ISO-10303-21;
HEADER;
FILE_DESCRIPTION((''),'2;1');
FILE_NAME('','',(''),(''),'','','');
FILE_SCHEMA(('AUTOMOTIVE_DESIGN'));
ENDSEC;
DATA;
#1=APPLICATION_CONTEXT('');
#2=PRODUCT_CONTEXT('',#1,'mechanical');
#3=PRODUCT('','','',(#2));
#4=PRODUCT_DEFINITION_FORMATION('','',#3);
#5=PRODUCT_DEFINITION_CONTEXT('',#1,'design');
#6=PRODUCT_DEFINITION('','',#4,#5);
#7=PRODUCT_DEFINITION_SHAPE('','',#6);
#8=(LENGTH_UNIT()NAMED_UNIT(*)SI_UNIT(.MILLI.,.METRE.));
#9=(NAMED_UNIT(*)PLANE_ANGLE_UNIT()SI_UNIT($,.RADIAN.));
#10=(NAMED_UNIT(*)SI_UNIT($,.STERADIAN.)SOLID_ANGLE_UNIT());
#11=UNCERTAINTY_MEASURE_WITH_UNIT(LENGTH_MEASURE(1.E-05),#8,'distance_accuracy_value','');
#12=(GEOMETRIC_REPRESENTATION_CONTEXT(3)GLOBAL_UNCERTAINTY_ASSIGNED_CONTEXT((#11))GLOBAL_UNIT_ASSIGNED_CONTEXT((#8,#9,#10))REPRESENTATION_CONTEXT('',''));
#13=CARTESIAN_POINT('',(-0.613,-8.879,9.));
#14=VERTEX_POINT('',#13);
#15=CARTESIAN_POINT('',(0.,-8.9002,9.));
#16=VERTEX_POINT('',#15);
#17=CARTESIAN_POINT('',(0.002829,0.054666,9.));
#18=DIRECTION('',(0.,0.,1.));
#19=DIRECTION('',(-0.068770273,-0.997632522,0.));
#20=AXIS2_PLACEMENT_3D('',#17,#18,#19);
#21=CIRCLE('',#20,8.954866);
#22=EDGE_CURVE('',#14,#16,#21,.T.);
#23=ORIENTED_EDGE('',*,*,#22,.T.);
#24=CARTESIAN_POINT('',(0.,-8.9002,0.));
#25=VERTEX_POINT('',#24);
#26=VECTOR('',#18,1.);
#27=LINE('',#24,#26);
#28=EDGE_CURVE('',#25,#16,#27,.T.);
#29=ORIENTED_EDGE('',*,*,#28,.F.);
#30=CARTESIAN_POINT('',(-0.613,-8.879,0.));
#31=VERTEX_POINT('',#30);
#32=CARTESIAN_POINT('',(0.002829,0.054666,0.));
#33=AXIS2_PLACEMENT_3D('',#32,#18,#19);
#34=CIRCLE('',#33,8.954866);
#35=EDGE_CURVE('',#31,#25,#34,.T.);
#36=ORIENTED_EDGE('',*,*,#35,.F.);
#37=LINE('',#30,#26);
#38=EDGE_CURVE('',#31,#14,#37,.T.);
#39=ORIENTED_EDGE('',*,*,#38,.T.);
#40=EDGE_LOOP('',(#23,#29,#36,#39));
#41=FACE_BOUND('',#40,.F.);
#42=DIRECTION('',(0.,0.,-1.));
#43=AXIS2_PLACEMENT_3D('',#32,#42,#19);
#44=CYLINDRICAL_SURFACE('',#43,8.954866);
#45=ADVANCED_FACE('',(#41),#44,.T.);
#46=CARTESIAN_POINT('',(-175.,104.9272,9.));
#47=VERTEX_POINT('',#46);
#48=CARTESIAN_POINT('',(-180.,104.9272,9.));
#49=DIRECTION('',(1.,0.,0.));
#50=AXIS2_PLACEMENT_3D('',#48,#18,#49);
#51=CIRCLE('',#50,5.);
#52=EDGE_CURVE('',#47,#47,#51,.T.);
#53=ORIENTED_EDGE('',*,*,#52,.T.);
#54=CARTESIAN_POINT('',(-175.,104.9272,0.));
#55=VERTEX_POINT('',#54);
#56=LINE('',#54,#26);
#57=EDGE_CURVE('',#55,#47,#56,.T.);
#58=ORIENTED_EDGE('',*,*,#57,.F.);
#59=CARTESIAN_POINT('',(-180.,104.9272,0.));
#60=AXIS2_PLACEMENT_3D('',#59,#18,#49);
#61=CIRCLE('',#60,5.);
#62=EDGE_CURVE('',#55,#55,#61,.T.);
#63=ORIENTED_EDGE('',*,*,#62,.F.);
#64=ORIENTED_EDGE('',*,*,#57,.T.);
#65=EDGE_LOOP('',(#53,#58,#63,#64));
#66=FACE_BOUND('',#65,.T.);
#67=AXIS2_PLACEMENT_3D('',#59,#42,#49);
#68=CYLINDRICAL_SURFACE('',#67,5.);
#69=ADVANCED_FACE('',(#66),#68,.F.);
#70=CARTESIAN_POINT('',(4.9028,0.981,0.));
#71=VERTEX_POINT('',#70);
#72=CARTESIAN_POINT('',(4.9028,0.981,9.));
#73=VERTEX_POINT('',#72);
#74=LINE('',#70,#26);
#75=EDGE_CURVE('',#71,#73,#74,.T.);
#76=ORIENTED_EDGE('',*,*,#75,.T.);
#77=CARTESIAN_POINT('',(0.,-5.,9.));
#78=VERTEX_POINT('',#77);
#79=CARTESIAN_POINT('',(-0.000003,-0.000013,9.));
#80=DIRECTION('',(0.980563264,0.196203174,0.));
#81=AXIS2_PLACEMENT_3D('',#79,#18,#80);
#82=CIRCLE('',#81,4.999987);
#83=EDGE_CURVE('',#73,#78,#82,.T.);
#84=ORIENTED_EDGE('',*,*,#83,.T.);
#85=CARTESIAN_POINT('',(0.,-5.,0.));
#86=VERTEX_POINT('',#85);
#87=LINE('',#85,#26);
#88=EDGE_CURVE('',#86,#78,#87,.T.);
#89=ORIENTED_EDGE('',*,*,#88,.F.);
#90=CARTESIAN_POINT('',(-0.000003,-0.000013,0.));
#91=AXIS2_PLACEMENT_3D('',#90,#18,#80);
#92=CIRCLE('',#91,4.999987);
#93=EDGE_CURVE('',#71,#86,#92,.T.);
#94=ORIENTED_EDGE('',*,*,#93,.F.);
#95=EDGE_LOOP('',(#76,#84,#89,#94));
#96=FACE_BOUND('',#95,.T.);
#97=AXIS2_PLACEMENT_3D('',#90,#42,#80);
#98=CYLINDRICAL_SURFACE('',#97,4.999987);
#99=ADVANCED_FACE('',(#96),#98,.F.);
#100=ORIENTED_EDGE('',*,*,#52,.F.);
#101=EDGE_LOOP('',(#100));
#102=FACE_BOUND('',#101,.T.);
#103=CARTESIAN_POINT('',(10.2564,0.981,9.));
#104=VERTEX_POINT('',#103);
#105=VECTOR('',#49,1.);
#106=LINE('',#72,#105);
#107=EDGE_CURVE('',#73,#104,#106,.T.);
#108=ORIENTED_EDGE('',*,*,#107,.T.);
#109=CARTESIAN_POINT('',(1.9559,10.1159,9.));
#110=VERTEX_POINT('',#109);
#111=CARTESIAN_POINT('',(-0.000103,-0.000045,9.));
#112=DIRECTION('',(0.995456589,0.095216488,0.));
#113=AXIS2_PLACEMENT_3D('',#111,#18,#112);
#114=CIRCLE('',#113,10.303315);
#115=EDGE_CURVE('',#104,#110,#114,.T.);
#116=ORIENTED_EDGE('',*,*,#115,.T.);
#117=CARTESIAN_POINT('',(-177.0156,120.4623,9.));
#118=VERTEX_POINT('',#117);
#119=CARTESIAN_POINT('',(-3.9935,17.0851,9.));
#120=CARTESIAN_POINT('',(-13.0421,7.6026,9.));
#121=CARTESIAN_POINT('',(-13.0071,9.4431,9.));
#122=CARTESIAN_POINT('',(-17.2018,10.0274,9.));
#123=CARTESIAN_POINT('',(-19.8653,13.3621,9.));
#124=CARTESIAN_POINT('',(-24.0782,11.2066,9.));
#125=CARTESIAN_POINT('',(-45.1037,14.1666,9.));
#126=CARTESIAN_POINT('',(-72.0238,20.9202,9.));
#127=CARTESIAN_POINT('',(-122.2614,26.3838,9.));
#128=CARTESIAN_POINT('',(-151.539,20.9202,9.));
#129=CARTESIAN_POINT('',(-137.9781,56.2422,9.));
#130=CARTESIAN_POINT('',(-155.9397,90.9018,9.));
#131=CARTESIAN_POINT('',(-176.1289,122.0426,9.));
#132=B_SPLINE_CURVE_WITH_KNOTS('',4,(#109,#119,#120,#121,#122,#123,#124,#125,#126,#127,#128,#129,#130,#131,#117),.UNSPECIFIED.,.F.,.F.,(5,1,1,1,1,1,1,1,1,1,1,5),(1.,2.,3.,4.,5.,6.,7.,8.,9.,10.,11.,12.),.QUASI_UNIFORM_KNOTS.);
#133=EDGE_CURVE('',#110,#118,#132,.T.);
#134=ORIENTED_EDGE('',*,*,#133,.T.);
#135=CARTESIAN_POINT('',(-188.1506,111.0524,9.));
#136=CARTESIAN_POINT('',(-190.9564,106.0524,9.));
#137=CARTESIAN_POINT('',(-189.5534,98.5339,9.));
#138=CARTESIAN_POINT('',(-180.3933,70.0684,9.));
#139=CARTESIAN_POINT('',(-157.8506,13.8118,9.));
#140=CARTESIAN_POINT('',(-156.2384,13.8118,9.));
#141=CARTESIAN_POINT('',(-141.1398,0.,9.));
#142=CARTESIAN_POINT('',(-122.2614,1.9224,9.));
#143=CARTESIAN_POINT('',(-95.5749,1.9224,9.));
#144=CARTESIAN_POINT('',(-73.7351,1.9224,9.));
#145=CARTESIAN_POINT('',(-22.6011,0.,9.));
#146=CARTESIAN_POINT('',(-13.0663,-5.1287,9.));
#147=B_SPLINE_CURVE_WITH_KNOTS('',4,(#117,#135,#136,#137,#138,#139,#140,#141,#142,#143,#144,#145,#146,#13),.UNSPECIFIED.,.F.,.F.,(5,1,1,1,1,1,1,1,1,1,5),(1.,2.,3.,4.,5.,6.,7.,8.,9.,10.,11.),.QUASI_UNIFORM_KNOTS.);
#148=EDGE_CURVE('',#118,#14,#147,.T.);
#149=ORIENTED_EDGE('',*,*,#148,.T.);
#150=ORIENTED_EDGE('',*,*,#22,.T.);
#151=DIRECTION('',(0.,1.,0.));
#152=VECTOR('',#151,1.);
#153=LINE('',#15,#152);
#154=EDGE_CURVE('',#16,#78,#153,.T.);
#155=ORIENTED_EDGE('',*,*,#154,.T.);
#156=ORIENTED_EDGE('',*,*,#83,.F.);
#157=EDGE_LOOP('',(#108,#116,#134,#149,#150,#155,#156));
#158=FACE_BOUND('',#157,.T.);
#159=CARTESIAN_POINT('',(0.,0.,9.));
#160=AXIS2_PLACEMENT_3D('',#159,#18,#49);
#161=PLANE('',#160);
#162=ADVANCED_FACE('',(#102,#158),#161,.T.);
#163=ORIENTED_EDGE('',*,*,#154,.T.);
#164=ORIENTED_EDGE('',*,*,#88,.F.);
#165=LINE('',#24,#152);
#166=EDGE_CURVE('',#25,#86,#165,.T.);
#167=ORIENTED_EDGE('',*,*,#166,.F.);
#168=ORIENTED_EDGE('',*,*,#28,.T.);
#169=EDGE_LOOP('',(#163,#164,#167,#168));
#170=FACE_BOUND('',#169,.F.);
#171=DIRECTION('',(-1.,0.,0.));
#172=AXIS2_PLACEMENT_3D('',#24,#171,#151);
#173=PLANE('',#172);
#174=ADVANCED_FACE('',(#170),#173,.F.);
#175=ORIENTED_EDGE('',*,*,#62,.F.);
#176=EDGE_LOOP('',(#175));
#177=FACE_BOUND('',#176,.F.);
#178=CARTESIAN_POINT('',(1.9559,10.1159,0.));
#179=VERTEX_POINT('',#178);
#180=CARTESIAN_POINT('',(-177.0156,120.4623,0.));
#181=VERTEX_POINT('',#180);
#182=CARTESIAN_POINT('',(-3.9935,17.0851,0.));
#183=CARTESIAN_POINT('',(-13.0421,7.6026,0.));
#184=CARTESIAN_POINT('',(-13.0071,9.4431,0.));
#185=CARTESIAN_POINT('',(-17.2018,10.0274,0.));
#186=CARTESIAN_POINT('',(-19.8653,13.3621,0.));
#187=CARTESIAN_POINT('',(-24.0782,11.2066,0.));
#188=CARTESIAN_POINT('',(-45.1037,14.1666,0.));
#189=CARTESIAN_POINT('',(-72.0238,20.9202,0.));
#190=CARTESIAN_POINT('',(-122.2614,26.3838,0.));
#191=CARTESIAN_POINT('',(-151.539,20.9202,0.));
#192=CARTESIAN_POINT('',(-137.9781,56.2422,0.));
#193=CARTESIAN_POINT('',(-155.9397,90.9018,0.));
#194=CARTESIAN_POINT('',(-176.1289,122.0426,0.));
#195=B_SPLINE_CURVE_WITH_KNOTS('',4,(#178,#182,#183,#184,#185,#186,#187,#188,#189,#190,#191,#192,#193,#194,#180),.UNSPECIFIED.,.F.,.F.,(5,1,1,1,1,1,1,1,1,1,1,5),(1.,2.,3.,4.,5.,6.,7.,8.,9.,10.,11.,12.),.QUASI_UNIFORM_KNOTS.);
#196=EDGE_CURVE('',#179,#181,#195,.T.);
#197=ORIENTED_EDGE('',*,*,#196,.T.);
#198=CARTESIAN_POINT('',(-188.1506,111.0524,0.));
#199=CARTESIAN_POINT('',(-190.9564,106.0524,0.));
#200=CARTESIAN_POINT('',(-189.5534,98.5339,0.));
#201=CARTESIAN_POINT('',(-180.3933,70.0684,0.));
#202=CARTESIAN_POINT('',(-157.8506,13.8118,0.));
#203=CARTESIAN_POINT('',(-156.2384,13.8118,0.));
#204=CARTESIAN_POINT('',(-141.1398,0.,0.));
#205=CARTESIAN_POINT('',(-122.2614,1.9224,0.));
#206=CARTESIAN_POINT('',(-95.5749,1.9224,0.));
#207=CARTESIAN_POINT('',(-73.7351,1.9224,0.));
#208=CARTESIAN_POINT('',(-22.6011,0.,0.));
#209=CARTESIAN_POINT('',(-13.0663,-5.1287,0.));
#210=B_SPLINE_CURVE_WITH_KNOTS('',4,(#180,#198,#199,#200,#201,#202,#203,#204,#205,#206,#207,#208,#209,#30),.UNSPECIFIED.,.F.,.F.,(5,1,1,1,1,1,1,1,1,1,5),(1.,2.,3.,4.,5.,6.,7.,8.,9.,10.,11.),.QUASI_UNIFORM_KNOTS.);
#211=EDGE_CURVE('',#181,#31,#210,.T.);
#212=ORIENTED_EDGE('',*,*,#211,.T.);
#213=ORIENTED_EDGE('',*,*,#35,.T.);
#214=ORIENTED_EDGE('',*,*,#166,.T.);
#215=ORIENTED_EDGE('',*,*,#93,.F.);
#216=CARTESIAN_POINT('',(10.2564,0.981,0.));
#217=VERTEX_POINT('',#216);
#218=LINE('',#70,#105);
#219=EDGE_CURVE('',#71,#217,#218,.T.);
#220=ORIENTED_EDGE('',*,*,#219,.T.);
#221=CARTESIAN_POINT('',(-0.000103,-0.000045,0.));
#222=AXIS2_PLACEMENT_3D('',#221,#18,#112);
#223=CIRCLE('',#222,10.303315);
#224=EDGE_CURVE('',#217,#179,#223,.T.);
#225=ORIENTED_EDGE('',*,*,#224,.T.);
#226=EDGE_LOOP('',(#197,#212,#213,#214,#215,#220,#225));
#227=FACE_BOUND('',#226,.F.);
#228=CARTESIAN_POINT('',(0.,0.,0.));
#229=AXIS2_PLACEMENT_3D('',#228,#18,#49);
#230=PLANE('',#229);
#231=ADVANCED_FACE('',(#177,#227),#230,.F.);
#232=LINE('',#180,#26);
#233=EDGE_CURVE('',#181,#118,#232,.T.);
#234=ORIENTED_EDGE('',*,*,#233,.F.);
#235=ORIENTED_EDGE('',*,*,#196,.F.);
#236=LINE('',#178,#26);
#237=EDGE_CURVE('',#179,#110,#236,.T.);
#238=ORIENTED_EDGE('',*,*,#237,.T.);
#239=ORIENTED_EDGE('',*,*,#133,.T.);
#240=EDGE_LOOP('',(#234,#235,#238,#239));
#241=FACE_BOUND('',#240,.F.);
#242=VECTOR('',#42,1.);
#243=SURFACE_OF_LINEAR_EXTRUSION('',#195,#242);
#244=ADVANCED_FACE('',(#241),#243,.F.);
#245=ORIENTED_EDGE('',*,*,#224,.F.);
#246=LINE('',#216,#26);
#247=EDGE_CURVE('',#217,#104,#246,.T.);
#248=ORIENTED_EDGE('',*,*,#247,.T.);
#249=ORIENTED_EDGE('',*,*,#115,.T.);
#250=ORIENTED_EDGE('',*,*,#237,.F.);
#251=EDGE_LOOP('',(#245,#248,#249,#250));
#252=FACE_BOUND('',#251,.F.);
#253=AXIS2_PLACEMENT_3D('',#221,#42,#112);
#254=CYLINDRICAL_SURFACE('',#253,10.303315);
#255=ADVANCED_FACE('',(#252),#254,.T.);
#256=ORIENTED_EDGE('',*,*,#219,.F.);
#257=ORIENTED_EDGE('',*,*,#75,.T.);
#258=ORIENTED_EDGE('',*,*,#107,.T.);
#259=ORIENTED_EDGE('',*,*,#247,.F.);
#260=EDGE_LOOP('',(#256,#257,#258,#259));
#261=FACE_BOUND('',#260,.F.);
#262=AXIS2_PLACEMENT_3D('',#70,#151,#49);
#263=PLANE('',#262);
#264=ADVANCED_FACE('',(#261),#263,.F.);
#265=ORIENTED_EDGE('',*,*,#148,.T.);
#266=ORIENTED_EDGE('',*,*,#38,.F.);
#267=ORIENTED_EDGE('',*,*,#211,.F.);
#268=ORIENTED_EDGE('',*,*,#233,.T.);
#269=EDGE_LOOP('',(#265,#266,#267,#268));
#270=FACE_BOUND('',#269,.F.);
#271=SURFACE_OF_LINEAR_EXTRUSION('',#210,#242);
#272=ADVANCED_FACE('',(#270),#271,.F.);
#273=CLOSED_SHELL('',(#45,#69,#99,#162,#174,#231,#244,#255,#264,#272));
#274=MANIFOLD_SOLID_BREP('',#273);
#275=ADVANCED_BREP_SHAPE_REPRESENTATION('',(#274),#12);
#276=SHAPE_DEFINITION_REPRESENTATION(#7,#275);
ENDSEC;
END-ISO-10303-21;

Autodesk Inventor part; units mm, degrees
ref_plane "YZ Plane" through (0, 0, 0) normal (1, 0, 0) x (0, 1, 0)
ref_plane "XZ Plane" through (0, 0, 0) normal (0, 1, 0) x (-1, 0, 0)
ref_plane "XY Plane" through (0, 0, 0) normal (0, 0, 1) x (1, 0, 0)
sketch "Sketch1" plane through (0, 0, 0) normal (0, 0, 1) x (1, 0, 0)
  arc A0 (4.9028, 0.981) -> (0, -5) centre (0, 0) ccw
  line L0 (0, 0) -> (-180, 0) construction
  line L1 (-180, 0) -> (-180, 120) construction
  line L2 (0, 0) -> (-180, 104.9272) construction
  circle A1 centre (-180, 104.9272) radius 5
  line L3 (1.9559, 10.1159) -> (-3.9935, 17.0851) construction
  line L4 (-3.9935, 17.0851) -> (-13.0421, 7.6026) construction
  line L5 (-13.0421, 7.6026) -> (-13.0071, 9.4431) construction
  line L6 (-13.0071, 9.4431) -> (-17.2018, 10.0274) construction
  line L7 (-17.2018, 10.0274) -> (-19.8653, 13.3621) construction
  line L8 (-19.8653, 13.3621) -> (-24.0782, 11.2066) construction
  line L9 (-24.0782, 11.2066) -> (-45.1037, 14.1666) construction
  line L10 (-45.1037, 14.1666) -> (-72.0238, 20.9202) construction
  line L11 (-72.0238, 20.9202) -> (-122.2614, 26.3838) construction
  line L12 (-122.2614, 26.3838) -> (-151.539, 20.9202) construction
  line L13 (-151.539, 20.9202) -> (-137.9781, 56.2422) construction
  line L14 (-137.9781, 56.2422) -> (-155.9397, 90.9018) construction
  line L15 (-155.9397, 90.9018) -> (-176.1289, 122.0426) construction
  line L16 (-176.1289, 122.0426) -> (-177.0156, 120.4623) construction
  spline S0 degree 4 poles (1.9559, 10.1159) (-3.9935, 17.0851) (-13.0421, 7.6026) (-13.0071, 9.4431) (-17.2018, 10.0274) (-19.8653, 13.3621) (-24.0782, 11.2066) (-45.1037, 14.1666) (-72.0238, 20.9202) (-122.2614, 26.3838) (-151.539, 20.9202) (-137.9781, 56.2422) (-155.9397, 90.9018) (-176.1289, 122.0426) (-177.0156, 120.4623) knots 1 1 1 1 1 2 3 4 5 6 7 8 9 10 11 12 12 12 12 12
  line L17 (-177.0156, 120.4623) -> (-188.1506, 111.0524) construction
  line L18 (-188.1506, 111.0524) -> (-190.9564, 106.0524) construction
  line L19 (-190.9564, 106.0524) -> (-189.5534, 98.5339) construction
  line L20 (-189.5534, 98.5339) -> (-180.3933, 70.0684) construction
  line L21 (-180.3933, 70.0684) -> (-157.8506, 13.8118) construction
  line L22 (-157.8506, 13.8118) -> (-156.2384, 13.8118) construction
  line L23 (-156.2384, 13.8118) -> (-141.1398, 0) construction
  line L24 (-141.1398, 0) -> (-122.2614, 1.9224) construction
  line L25 (-122.2614, 1.9224) -> (-95.5749, 1.9224) construction
  line L26 (-95.5749, 1.9224) -> (-73.7351, 1.9224) construction
  line L27 (-73.7351, 1.9224) -> (-22.6011, 0) construction
  line L28 (-22.6011, 0) -> (-13.0663, -5.1287) construction
  line L29 (-13.0663, -5.1287) -> (-0.613, -8.879) construction
  spline S1 degree 4 poles (-177.0156, 120.4623) (-188.1506, 111.0524) (-190.9564, 106.0524) (-189.5534, 98.5339) (-180.3933, 70.0684) (-157.8506, 13.8118) (-156.2384, 13.8118) (-141.1398, 0) (-122.2614, 1.9224) (-95.5749, 1.9224) (-73.7351, 1.9224) (-22.6011, 0) (-13.0663, -5.1287) (-0.613, -8.879) knots 1 1 1 1 1 2 3 4 5 6 7 8 9 10 11 11 11 11 11
  line L30 (0, -8.9002) -> (0, -5)
  line L31 (4.9028, 0.981) -> (10.2564, 0.981)
  arc A2 (10.2564, 0.981) -> (1.9559, 10.1159) centre (0, 0) ccw
  arc A3 (-0.613, -8.879) -> (0, -8.9002) centre (0, 0) ccw
  point P0 (-176.1289, 108.0917)
  dimension "d4" = 10
  dimension "d0" = 10
  dimension "d1" = 180
  dimension "d2" = 120
  dimension "d3" = 208.35
extrude "Extrusion1" add sketch "Sketch1" along normal blind 9
properties part number "brazo"
